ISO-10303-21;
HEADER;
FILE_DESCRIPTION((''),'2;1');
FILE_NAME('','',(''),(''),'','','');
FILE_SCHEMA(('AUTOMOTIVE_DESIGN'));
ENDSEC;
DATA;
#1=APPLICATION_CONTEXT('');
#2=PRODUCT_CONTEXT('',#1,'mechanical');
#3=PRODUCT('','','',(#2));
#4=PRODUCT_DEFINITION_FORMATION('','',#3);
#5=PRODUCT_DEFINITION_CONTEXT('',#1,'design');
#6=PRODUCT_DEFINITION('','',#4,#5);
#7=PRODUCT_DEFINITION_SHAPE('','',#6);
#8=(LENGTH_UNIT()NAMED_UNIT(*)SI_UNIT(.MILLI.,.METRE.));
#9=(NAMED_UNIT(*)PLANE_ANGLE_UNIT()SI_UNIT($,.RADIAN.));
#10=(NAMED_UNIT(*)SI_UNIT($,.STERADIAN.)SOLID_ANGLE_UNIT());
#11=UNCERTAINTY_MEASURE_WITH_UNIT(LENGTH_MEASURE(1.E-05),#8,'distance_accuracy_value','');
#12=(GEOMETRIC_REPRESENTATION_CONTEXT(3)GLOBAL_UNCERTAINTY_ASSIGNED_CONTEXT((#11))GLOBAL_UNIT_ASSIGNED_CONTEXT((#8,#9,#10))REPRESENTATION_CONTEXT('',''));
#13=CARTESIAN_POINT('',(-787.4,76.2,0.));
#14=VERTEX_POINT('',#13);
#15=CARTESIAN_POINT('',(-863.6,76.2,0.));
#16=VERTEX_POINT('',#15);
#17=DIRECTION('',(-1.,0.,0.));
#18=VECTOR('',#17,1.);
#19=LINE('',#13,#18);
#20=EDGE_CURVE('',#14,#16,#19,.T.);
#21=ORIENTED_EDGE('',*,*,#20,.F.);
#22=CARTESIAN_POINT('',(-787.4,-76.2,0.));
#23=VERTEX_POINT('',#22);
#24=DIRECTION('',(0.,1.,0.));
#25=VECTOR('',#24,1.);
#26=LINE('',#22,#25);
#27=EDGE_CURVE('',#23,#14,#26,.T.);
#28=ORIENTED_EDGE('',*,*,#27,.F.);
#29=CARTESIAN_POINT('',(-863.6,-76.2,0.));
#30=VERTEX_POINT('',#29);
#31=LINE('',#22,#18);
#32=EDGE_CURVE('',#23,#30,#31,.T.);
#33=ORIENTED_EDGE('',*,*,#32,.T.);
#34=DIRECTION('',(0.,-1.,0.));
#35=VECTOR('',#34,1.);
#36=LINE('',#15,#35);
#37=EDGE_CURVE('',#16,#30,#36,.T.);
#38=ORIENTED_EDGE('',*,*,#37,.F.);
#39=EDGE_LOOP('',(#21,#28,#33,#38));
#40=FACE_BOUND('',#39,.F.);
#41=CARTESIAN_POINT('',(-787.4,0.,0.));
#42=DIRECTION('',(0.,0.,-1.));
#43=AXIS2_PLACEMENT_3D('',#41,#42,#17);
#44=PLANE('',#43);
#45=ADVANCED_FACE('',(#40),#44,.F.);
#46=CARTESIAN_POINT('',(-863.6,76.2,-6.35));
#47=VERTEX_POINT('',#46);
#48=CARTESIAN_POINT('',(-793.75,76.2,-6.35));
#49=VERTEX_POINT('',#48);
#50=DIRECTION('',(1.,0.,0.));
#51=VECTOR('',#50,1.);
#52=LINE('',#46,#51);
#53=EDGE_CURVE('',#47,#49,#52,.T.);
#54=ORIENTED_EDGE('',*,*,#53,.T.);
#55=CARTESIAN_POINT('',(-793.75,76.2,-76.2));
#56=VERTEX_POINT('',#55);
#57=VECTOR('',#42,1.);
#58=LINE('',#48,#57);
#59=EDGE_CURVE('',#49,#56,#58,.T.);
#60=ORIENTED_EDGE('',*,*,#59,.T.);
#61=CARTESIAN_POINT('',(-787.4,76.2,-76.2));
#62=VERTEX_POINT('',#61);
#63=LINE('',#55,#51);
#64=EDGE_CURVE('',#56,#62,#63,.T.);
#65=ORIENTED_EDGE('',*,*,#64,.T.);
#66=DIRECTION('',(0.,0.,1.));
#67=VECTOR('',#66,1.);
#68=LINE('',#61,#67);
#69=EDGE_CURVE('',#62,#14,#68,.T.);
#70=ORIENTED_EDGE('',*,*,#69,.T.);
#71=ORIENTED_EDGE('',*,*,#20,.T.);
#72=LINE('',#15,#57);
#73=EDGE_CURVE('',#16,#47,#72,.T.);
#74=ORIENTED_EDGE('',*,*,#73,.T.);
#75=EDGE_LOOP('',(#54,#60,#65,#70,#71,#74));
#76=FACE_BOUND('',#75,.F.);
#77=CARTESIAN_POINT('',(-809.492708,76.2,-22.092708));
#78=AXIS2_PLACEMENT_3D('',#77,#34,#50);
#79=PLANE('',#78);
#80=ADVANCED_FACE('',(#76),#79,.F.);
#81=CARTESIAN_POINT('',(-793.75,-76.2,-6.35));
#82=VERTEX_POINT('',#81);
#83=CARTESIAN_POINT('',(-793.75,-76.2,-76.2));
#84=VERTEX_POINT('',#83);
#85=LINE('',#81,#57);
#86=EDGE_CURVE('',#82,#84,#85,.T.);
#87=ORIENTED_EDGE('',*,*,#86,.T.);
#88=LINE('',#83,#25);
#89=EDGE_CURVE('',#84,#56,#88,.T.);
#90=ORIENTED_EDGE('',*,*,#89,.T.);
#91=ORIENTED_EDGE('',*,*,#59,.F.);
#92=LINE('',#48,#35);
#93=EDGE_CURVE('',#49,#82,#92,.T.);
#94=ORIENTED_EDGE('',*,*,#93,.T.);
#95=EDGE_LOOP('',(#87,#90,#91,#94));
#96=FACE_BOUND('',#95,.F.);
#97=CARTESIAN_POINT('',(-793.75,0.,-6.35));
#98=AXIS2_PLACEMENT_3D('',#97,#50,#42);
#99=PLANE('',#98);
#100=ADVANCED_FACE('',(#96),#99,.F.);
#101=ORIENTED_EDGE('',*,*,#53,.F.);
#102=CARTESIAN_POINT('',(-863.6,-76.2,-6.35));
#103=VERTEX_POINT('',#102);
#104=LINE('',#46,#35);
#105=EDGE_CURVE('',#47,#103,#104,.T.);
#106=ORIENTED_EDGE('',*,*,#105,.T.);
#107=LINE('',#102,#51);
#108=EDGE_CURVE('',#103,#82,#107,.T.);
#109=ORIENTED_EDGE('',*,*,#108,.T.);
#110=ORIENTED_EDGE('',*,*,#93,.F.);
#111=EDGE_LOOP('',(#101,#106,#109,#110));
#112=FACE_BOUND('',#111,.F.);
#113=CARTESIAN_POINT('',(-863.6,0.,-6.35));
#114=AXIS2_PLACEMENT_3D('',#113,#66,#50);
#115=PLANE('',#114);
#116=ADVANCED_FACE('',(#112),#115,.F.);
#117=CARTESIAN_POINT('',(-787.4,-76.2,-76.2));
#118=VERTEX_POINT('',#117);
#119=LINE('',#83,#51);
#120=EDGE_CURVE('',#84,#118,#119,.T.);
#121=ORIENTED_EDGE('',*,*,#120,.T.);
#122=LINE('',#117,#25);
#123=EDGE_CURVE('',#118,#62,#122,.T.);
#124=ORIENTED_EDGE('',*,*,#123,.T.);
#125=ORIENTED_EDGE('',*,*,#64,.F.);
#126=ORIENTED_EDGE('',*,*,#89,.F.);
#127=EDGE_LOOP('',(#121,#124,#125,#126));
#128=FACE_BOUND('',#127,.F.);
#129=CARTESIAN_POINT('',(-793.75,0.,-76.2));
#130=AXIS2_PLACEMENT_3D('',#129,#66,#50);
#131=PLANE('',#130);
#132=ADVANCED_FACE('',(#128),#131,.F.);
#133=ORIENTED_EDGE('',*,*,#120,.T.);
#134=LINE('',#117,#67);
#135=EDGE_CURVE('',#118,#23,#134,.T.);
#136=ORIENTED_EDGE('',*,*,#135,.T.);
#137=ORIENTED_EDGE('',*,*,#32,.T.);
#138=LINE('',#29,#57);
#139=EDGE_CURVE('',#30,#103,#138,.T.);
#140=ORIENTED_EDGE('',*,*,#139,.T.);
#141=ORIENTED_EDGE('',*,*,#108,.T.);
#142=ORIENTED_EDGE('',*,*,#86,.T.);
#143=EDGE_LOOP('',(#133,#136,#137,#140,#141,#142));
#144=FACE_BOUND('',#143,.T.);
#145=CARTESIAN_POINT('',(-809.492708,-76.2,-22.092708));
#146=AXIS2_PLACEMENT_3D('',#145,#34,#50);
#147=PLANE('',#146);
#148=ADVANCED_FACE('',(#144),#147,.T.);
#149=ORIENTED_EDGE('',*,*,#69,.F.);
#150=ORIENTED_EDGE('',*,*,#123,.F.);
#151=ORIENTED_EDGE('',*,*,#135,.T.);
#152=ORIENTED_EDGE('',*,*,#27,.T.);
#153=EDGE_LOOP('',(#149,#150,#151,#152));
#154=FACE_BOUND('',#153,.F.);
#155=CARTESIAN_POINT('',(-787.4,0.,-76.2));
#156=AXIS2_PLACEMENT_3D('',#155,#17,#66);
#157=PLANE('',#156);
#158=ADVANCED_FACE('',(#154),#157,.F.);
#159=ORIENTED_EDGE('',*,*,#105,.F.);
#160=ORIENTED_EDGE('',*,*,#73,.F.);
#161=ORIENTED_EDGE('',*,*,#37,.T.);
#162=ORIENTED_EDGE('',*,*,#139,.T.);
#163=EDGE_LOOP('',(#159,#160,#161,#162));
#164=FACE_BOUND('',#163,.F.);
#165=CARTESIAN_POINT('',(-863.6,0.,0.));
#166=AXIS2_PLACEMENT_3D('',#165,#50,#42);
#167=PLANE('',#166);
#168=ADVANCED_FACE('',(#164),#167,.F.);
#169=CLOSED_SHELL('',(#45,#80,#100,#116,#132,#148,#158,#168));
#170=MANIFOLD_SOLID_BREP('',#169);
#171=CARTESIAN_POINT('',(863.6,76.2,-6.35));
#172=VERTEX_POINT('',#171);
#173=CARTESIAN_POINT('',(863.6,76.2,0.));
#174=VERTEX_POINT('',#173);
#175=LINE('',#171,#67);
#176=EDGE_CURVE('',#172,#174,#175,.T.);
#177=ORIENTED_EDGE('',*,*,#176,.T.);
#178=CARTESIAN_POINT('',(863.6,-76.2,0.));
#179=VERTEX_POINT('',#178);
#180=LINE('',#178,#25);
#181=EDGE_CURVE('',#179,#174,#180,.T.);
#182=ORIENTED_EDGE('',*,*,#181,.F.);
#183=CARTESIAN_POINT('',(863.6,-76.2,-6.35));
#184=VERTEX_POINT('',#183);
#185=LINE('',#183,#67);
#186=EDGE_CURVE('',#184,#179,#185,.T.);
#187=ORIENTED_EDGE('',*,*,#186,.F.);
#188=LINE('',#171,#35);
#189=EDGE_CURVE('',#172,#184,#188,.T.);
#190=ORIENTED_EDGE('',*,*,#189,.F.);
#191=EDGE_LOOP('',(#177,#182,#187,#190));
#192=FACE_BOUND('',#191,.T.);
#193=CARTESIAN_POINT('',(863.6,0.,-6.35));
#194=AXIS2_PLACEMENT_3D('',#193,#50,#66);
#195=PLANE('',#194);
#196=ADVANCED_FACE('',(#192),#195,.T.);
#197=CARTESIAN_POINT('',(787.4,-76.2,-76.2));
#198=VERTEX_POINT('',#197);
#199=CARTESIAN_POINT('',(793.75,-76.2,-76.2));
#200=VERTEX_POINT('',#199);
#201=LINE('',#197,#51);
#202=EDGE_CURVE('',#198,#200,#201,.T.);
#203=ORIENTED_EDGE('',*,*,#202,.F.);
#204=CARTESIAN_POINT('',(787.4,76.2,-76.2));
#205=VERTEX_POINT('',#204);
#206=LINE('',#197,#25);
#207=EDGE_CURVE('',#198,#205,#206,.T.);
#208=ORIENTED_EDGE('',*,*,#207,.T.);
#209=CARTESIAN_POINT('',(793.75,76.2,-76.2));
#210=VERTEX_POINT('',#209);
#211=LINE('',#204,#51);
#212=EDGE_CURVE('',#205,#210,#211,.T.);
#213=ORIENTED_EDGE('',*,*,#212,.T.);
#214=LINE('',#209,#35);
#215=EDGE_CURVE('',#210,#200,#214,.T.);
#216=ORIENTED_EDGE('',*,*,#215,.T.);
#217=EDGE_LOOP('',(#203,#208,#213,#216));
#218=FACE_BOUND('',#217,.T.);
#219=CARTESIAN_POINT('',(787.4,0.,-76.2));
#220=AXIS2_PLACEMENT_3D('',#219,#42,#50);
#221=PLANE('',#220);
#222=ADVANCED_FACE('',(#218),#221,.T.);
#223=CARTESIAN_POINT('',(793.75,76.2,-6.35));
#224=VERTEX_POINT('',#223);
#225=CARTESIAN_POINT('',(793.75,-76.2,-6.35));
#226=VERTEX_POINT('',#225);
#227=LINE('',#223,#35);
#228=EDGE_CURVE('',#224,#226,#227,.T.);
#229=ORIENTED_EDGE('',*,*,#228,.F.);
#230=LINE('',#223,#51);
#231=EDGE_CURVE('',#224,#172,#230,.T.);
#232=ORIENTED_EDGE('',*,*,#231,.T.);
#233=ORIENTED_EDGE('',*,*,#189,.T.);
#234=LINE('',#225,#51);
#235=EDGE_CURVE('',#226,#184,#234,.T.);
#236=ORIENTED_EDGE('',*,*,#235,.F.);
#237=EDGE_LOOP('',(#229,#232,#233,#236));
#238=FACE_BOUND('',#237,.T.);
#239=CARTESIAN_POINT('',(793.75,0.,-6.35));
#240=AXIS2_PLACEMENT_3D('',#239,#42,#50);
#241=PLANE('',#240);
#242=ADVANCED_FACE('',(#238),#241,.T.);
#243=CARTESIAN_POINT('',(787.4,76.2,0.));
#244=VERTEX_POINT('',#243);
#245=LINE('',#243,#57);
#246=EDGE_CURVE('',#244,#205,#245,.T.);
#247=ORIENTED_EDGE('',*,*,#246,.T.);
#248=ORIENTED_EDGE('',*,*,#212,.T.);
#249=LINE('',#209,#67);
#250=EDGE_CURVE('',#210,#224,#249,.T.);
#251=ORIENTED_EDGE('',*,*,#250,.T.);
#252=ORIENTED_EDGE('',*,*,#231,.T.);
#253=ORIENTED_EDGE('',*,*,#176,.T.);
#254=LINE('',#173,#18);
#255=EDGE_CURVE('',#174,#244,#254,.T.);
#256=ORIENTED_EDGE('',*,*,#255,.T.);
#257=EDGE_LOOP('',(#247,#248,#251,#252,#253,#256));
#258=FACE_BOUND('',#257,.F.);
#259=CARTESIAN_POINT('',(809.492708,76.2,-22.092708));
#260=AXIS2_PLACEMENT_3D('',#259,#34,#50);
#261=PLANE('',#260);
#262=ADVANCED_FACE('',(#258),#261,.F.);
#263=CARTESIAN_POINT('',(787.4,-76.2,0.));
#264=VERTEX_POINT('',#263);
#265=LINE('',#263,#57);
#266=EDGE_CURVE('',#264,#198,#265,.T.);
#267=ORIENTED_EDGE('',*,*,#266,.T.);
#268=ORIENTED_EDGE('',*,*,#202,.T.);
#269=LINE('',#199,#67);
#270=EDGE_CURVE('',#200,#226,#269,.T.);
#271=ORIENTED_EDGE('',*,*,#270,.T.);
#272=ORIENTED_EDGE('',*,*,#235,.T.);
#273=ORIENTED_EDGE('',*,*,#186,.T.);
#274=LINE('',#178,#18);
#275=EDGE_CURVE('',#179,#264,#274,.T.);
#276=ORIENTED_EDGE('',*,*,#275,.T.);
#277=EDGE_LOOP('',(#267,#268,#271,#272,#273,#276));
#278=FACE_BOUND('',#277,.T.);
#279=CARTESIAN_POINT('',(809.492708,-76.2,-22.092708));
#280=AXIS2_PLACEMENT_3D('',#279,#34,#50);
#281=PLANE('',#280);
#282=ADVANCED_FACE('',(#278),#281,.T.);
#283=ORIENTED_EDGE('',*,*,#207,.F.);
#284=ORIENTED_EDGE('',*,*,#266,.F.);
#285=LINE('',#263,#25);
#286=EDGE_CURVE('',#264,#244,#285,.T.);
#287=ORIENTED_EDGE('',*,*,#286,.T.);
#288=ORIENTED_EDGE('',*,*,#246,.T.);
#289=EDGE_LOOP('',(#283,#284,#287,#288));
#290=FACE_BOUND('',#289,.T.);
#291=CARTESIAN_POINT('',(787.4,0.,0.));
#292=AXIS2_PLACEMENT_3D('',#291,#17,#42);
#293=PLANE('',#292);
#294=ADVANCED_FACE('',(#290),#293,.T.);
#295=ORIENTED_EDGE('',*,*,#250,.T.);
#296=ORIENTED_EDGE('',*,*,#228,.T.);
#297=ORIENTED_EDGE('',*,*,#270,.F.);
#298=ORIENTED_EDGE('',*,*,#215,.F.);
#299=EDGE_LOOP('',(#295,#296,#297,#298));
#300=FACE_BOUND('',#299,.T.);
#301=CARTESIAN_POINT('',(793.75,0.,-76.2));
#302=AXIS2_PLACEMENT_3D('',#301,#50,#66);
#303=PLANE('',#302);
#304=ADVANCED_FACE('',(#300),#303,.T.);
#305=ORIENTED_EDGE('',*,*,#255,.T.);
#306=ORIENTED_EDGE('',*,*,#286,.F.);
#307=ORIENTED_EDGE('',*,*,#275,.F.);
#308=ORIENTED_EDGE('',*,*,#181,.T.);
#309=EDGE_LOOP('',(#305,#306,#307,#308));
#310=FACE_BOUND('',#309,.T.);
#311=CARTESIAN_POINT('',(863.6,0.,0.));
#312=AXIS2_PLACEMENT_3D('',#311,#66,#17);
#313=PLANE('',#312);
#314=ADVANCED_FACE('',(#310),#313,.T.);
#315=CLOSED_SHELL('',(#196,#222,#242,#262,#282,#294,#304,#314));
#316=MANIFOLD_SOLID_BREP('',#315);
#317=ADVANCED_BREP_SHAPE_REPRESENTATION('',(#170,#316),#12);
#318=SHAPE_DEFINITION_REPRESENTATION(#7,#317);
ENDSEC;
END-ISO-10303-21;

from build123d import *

# Parameters (mm, degrees)
F1_DEPTH = 76.2


with BuildPart() as f1:
    # F0 (on Front) → F1 (new body, symmetric)
    with BuildSketch(Plane.XZ):
        Polygon((-787.4, 0), (-863.6, 0), (-863.6, -6.35), (-793.75, -6.35), (-793.75, -76.2), (-787.4, -76.2), align=None)
        Polygon((787.4, -76.2), (793.75, -76.2), (793.75, -6.35), (863.6, -6.35), (863.6, 0), (787.4, 0), align=None)
    extrude(amount=F1_DEPTH, both=True)


solid = f1.part
